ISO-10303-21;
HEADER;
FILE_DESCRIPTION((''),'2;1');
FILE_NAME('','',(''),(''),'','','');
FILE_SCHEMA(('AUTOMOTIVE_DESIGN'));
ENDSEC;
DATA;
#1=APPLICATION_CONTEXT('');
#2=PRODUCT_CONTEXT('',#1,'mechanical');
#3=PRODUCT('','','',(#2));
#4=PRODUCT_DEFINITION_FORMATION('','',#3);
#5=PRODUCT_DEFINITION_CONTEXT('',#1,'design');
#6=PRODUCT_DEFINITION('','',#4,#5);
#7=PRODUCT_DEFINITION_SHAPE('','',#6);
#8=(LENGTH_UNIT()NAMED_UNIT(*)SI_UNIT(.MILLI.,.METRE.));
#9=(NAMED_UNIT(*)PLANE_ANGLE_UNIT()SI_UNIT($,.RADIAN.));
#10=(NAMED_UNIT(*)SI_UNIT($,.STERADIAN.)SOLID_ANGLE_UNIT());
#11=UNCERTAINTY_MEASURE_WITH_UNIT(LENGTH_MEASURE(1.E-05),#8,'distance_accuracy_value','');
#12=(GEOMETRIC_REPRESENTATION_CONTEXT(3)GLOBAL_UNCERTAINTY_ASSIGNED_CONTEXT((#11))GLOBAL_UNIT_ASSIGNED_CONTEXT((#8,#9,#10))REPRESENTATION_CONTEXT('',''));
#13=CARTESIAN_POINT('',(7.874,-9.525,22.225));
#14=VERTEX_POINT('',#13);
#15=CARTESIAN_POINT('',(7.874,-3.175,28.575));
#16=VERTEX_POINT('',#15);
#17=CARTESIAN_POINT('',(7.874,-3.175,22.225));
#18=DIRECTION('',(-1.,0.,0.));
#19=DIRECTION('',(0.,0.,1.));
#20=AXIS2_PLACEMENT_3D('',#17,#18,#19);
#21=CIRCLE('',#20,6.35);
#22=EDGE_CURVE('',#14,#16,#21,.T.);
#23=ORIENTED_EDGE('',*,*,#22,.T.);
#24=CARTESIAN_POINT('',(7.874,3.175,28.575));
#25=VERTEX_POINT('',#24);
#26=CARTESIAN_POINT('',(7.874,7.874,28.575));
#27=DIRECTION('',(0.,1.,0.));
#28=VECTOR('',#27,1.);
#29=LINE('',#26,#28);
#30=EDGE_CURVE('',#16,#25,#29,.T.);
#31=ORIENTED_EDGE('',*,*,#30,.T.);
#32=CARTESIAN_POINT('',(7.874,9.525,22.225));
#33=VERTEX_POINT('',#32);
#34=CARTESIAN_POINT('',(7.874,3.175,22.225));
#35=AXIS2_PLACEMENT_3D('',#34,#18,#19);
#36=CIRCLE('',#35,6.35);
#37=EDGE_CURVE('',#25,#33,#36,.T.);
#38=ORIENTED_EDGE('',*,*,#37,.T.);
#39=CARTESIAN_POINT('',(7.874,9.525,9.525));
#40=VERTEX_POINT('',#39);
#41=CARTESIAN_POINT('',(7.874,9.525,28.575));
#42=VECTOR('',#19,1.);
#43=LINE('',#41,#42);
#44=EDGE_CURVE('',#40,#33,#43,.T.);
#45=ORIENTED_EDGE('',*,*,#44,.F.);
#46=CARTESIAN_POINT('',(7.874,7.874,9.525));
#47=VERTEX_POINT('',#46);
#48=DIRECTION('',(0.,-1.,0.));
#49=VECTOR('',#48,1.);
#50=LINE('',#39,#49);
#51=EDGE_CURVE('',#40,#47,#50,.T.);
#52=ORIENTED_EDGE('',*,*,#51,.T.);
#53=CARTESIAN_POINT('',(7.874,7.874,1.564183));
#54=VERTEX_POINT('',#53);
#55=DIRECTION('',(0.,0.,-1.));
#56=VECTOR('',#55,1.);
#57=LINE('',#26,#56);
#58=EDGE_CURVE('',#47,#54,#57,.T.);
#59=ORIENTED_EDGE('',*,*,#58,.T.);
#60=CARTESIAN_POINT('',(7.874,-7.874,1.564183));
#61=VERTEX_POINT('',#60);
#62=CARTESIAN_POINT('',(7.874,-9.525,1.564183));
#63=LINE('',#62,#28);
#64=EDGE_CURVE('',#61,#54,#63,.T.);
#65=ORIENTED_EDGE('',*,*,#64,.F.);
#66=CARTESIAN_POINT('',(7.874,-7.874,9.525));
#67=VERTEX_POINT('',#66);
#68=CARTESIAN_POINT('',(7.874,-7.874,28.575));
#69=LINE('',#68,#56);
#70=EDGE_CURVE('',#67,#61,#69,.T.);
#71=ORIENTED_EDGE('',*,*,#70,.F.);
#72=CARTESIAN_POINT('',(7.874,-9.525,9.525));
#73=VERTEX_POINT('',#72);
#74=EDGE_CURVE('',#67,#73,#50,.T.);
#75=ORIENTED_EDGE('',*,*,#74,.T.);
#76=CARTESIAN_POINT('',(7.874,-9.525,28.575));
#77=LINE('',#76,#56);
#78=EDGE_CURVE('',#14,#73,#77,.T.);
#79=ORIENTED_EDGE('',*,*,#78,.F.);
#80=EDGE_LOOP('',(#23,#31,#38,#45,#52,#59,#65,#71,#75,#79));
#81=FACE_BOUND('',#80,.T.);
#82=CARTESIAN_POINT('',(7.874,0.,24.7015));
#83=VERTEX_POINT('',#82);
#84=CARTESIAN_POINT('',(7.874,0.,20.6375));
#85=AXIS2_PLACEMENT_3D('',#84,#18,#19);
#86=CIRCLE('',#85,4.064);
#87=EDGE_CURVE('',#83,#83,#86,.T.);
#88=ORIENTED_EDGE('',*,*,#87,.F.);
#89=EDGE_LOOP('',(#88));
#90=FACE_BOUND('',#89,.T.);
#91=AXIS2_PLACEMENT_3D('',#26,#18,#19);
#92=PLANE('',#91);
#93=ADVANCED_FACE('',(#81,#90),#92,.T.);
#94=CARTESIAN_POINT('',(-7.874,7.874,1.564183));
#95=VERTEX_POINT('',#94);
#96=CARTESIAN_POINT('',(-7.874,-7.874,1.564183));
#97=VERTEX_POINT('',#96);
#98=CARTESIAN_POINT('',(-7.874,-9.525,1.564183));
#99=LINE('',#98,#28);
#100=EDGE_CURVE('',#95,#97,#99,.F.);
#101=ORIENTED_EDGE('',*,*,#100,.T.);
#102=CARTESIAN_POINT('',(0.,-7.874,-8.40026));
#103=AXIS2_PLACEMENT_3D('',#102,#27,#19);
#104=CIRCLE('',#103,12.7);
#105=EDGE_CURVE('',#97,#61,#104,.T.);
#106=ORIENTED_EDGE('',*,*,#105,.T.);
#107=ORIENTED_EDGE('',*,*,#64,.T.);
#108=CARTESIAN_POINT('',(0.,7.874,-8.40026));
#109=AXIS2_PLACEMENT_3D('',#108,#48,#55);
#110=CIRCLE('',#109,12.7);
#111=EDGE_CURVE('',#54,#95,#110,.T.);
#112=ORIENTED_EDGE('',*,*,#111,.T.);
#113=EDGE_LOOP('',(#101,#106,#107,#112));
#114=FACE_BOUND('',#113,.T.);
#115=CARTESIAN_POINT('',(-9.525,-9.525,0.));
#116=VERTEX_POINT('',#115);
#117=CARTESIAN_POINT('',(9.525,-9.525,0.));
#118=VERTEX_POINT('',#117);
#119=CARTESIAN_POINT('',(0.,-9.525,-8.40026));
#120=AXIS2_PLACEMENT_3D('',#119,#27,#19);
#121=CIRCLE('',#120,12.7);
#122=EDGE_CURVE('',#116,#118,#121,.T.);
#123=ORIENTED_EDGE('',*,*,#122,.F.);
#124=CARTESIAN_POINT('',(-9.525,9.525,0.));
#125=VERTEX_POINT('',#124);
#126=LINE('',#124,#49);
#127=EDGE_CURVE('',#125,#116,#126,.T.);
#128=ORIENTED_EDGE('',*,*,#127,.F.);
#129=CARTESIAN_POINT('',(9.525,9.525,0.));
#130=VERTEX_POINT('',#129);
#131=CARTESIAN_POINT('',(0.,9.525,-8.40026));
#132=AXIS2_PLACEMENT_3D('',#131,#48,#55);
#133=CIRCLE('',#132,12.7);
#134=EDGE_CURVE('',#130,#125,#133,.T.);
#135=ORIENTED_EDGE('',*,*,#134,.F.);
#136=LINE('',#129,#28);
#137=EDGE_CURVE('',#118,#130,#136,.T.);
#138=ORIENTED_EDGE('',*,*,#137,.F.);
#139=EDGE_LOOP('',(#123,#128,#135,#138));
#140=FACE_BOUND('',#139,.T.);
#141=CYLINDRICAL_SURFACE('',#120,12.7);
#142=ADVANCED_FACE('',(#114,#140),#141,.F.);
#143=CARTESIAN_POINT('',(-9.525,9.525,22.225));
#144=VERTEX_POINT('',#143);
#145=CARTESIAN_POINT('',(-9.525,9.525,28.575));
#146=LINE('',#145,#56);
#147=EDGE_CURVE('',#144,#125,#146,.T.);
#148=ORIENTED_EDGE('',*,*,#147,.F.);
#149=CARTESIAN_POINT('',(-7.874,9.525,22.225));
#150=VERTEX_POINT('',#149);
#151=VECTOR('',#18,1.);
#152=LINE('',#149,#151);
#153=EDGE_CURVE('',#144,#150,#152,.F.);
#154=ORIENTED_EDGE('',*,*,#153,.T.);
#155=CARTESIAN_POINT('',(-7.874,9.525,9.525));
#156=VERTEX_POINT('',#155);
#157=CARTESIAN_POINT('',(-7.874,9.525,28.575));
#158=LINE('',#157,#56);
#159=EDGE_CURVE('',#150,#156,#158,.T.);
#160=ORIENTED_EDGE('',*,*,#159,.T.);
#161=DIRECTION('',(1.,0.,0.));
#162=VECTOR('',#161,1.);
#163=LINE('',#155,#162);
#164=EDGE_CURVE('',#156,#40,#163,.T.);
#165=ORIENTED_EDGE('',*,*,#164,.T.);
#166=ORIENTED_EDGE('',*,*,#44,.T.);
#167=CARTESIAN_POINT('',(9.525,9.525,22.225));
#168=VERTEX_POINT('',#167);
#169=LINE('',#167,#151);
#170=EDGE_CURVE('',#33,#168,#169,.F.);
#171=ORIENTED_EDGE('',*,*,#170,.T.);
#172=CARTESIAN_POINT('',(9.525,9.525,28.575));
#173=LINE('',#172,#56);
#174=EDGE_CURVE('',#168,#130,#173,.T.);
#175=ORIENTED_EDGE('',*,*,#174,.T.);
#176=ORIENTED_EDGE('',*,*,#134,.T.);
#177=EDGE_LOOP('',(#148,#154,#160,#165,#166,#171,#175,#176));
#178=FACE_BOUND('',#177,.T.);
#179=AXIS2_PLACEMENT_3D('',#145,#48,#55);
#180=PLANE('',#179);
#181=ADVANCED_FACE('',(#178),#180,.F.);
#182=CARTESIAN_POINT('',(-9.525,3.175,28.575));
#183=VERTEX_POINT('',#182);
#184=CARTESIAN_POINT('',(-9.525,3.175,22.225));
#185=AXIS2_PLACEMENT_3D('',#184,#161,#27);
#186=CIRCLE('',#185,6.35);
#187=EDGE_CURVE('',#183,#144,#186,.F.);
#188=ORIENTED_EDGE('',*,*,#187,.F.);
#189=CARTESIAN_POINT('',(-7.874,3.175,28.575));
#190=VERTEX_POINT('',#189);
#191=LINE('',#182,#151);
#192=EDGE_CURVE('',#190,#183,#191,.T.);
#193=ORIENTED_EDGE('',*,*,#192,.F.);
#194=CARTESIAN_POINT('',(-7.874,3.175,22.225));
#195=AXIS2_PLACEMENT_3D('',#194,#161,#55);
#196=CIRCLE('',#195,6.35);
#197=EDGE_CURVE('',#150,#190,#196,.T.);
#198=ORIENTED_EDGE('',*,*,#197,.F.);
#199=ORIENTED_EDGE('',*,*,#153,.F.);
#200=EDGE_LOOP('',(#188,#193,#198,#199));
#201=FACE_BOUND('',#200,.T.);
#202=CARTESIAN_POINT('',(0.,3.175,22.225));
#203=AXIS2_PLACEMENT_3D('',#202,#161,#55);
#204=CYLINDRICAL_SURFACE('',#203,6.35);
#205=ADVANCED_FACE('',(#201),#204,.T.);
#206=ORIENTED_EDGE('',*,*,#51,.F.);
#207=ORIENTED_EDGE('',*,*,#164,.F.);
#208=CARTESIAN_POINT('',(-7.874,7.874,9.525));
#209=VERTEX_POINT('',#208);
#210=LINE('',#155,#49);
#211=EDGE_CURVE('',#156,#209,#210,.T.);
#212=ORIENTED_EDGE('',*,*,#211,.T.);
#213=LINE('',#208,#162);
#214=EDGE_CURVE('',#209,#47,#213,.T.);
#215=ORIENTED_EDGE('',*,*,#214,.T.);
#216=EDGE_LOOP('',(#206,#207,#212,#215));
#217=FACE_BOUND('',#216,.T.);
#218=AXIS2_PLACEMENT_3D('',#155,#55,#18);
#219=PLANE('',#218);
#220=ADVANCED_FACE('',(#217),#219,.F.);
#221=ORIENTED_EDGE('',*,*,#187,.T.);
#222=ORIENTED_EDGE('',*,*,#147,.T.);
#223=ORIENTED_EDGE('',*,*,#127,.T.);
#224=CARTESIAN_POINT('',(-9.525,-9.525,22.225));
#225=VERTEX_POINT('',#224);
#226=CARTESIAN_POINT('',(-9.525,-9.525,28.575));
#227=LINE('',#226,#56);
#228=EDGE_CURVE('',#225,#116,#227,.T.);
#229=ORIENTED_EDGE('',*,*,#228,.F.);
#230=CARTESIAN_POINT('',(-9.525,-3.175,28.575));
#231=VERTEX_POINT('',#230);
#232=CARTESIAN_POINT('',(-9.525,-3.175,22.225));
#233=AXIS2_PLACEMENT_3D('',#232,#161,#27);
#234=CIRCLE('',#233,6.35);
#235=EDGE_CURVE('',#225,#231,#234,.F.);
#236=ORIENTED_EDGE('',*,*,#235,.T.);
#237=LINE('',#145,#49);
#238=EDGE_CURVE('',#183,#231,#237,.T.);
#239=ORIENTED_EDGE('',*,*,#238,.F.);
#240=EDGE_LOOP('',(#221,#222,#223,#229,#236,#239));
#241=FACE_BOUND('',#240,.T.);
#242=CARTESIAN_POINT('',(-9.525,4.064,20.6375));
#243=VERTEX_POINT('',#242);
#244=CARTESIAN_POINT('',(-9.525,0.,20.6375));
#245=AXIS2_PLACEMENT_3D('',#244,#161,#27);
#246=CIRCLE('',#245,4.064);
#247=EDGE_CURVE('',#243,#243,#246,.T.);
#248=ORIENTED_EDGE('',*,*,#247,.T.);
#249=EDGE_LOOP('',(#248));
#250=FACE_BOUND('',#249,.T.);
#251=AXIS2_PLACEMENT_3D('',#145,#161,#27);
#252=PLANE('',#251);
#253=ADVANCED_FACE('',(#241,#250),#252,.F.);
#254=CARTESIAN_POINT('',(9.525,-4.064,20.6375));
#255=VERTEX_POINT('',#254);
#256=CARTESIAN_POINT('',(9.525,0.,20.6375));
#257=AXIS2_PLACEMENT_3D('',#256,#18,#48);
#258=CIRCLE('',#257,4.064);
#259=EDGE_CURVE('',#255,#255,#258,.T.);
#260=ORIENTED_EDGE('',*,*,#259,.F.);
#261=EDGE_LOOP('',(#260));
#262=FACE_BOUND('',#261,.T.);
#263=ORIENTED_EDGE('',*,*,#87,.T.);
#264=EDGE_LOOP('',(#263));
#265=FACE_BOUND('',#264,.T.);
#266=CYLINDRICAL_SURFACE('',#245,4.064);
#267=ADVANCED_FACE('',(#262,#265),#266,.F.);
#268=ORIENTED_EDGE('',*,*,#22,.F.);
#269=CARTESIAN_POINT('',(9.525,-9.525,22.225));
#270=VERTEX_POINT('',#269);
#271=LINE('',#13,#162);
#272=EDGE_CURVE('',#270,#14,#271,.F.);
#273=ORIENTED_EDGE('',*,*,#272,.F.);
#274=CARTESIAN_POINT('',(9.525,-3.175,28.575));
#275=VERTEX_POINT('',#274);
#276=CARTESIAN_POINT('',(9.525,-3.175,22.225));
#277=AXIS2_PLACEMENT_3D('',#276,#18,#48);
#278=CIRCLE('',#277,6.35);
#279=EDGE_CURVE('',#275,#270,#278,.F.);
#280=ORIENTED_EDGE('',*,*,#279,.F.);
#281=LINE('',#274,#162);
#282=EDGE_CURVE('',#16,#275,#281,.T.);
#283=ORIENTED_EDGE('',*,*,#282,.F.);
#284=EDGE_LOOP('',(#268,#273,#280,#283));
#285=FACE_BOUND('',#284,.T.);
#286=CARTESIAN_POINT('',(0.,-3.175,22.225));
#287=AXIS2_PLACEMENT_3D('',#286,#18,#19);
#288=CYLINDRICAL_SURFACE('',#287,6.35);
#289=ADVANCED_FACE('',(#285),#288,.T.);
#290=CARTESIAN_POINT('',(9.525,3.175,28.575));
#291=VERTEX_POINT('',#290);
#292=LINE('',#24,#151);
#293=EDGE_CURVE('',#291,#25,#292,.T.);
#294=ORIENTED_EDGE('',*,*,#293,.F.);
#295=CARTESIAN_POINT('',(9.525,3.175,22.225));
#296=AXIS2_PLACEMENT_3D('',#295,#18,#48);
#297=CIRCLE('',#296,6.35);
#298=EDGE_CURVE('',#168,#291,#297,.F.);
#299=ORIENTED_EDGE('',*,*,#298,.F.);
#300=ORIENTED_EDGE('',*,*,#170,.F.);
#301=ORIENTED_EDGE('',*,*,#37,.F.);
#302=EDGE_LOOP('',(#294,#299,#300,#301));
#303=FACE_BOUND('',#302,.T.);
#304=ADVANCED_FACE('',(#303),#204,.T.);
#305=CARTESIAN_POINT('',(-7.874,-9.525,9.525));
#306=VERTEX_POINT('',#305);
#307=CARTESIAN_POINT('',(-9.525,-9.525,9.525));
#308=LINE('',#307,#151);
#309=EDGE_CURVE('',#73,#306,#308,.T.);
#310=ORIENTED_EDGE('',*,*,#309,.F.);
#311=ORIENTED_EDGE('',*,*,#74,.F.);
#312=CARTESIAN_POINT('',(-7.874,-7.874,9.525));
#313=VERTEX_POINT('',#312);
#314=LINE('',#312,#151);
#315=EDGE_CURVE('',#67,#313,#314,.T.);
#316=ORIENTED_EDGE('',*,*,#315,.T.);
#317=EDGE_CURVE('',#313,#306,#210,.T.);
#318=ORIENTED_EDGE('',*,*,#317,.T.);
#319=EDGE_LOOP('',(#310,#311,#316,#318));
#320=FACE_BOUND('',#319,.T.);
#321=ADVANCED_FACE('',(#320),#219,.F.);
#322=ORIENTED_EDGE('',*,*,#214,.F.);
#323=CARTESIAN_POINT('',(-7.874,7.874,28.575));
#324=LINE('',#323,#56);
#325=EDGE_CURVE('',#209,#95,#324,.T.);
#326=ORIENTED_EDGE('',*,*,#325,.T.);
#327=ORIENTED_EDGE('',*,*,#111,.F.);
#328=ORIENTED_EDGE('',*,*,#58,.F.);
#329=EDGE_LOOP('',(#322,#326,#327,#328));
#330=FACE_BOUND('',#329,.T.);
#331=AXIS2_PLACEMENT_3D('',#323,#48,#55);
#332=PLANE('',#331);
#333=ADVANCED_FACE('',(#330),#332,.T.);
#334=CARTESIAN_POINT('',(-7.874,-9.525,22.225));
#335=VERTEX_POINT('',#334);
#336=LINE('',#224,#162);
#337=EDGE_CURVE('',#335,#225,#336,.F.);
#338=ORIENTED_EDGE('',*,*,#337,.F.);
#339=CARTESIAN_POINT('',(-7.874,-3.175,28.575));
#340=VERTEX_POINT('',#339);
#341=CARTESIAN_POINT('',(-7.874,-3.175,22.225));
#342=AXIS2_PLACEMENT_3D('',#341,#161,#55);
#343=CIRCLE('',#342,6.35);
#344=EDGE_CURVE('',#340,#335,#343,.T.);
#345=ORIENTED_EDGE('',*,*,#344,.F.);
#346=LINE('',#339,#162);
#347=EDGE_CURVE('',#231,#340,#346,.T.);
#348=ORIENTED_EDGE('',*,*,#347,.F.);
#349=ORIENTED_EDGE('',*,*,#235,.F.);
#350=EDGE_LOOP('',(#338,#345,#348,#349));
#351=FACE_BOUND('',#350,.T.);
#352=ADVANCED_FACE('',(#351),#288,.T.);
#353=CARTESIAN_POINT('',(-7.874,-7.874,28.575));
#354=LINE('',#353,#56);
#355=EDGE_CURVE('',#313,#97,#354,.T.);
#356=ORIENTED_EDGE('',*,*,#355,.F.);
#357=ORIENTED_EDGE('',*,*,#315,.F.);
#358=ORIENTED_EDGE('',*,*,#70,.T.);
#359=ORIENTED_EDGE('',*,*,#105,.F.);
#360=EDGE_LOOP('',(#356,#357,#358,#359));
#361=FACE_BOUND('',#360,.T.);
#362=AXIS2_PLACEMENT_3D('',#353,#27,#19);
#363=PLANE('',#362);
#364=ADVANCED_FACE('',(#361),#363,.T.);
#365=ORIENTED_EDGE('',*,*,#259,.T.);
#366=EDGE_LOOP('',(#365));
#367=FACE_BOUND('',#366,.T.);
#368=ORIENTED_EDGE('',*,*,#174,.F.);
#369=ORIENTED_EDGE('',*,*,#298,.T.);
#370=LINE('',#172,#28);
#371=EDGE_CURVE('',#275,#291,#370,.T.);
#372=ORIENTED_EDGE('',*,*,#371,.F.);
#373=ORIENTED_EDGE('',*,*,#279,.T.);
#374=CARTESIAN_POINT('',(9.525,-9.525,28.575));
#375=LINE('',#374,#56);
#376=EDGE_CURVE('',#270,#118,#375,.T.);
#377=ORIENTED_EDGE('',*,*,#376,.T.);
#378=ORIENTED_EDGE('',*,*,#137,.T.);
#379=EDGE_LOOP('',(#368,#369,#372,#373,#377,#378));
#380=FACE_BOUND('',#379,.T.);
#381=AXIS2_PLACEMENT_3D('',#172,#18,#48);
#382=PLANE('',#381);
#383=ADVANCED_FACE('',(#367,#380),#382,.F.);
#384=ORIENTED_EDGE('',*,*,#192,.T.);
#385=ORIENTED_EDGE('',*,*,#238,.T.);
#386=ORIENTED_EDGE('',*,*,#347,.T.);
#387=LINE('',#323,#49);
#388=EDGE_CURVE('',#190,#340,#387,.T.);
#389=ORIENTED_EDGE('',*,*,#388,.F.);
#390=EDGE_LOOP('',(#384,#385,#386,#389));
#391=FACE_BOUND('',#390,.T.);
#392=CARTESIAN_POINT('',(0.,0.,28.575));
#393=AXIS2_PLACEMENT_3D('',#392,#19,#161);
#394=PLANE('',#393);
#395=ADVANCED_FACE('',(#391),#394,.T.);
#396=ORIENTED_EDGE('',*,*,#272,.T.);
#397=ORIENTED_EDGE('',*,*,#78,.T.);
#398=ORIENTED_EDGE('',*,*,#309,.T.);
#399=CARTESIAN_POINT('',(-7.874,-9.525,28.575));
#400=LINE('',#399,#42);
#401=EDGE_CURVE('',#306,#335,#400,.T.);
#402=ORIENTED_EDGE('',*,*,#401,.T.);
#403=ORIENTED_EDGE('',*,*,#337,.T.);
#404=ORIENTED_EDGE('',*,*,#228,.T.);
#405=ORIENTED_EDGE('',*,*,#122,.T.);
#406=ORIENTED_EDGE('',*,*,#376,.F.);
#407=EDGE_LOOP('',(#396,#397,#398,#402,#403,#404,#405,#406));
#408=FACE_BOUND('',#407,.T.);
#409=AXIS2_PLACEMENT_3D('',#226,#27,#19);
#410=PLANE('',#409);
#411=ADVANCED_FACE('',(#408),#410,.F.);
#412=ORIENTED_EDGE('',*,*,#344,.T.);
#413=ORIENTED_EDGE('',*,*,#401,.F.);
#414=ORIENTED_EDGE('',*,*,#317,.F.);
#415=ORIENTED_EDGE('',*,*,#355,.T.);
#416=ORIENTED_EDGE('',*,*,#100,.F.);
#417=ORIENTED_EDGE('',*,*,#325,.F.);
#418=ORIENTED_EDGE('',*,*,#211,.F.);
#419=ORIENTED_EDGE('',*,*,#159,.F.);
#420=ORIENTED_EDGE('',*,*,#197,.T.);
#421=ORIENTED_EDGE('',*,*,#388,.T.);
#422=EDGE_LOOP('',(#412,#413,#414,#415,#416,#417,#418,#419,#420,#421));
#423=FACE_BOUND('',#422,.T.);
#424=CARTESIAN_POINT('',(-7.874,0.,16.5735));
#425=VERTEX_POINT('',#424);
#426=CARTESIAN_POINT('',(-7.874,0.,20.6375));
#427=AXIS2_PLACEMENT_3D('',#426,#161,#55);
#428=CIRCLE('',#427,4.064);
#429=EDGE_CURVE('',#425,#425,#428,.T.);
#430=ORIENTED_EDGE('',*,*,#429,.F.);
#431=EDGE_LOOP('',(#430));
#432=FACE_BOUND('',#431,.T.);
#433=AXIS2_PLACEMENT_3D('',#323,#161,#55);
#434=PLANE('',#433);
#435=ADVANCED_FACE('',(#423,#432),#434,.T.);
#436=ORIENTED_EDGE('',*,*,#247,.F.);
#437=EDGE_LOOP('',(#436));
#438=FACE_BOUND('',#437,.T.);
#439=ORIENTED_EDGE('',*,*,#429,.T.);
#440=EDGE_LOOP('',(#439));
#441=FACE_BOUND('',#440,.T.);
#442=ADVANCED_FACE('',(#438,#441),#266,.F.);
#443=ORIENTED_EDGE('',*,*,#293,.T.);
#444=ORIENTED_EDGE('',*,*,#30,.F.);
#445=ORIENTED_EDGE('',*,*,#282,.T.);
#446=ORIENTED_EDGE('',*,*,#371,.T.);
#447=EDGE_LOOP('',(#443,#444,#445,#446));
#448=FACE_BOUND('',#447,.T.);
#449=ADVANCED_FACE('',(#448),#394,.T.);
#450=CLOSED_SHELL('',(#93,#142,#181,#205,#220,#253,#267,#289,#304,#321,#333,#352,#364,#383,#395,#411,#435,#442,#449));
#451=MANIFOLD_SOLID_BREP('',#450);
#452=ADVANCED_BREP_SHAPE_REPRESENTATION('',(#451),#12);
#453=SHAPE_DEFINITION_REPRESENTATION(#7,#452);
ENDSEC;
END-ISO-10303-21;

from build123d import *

# Parameters (mm, degrees)
SKETCH1_W               = 19.05
SKETCH1_H               = 19.05
SKETCH1_W_2             = 15.748
SKETCH1_H_2             = 15.748
BOSS_EXTRUDE1_DEPTH     = 28.575
CUT_EXTRUDE5_DEPTH      = 36.639286609
CUT_EXTRUDE5_DEPTH_BACK = 36.639286609
SKETCH5_R               = 12.7
CUT_EXTRUDE2_DEPTH      = 36.639286609
CUT_EXTRUDE2_DEPTH_BACK = 36.639286609
SKETCH3_R               = 4.064
CUT_EXTRUDE4_DEPTH      = 36.639286609
CUT_EXTRUDE4_DEPTH_BACK = 36.639286609
SKETCH4_W               = 15.748
SKETCH4_H               = 19.05
FILLET2_R               = 6.35


with BuildPart() as part:
    # Sketch1 → Boss-Extrude1 (new body)
    with BuildSketch(Plane.XY):
        Rectangle(SKETCH1_W, SKETCH1_H)
        Rectangle(SKETCH1_W_2, SKETCH1_H_2, mode=Mode.SUBTRACT)
    extrude(amount=BOSS_EXTRUDE1_DEPTH)

    # Sketch5 → Cut-Extrude5 (cut, two sides: drawn at the far end of the back side and taken through both)
    with BuildSketch(Plane(origin=(0, 9.525, 0), x_dir=(1, 0, 0), z_dir=(0, 1, 0)).offset(-CUT_EXTRUDE5_DEPTH_BACK)):
        with Locations((0, 8.400260413)):
            Circle(SKETCH5_R)
    extrude(amount=CUT_EXTRUDE5_DEPTH + CUT_EXTRUDE5_DEPTH_BACK, mode=Mode.SUBTRACT)

    # Sketch3 → Cut-Extrude2 (cut, two sides: drawn at the far end of the back side and taken through both)
    with BuildSketch(Plane(origin=(9.525, 0, 0), x_dir=(0, 0, -1), z_dir=(1, 0, 0)).offset(-CUT_EXTRUDE2_DEPTH_BACK)):
        with Locations((-20.6375, 0)):
            Circle(SKETCH3_R)
    extrude(amount=CUT_EXTRUDE2_DEPTH + CUT_EXTRUDE2_DEPTH_BACK, mode=Mode.SUBTRACT)

    # Sketch4 → Cut-Extrude4 (cut, two sides: drawn at the far end of the back side and taken through both)
    with BuildSketch(Plane.XZ.offset(9.525).offset(-CUT_EXTRUDE4_DEPTH_BACK)):
        with Locations((0, 19.05)):
            Rectangle(SKETCH4_W, SKETCH4_H)
    extrude(amount=CUT_EXTRUDE4_DEPTH + CUT_EXTRUDE4_DEPTH_BACK, mode=Mode.SUBTRACT)

    # Fillet2
    fillet2_edges = [part.edges().sort_by_distance(p)[0] for p in [
        (-8.6995, 9.525, 28.575),
        (8.6995, 9.525, 28.575),
        (-8.6995, -9.525, 28.575),
        (8.6995, -9.525, 28.575),
    ]]
    fillet(fillet2_edges, radius=FILLET2_R)


solid = part.part
